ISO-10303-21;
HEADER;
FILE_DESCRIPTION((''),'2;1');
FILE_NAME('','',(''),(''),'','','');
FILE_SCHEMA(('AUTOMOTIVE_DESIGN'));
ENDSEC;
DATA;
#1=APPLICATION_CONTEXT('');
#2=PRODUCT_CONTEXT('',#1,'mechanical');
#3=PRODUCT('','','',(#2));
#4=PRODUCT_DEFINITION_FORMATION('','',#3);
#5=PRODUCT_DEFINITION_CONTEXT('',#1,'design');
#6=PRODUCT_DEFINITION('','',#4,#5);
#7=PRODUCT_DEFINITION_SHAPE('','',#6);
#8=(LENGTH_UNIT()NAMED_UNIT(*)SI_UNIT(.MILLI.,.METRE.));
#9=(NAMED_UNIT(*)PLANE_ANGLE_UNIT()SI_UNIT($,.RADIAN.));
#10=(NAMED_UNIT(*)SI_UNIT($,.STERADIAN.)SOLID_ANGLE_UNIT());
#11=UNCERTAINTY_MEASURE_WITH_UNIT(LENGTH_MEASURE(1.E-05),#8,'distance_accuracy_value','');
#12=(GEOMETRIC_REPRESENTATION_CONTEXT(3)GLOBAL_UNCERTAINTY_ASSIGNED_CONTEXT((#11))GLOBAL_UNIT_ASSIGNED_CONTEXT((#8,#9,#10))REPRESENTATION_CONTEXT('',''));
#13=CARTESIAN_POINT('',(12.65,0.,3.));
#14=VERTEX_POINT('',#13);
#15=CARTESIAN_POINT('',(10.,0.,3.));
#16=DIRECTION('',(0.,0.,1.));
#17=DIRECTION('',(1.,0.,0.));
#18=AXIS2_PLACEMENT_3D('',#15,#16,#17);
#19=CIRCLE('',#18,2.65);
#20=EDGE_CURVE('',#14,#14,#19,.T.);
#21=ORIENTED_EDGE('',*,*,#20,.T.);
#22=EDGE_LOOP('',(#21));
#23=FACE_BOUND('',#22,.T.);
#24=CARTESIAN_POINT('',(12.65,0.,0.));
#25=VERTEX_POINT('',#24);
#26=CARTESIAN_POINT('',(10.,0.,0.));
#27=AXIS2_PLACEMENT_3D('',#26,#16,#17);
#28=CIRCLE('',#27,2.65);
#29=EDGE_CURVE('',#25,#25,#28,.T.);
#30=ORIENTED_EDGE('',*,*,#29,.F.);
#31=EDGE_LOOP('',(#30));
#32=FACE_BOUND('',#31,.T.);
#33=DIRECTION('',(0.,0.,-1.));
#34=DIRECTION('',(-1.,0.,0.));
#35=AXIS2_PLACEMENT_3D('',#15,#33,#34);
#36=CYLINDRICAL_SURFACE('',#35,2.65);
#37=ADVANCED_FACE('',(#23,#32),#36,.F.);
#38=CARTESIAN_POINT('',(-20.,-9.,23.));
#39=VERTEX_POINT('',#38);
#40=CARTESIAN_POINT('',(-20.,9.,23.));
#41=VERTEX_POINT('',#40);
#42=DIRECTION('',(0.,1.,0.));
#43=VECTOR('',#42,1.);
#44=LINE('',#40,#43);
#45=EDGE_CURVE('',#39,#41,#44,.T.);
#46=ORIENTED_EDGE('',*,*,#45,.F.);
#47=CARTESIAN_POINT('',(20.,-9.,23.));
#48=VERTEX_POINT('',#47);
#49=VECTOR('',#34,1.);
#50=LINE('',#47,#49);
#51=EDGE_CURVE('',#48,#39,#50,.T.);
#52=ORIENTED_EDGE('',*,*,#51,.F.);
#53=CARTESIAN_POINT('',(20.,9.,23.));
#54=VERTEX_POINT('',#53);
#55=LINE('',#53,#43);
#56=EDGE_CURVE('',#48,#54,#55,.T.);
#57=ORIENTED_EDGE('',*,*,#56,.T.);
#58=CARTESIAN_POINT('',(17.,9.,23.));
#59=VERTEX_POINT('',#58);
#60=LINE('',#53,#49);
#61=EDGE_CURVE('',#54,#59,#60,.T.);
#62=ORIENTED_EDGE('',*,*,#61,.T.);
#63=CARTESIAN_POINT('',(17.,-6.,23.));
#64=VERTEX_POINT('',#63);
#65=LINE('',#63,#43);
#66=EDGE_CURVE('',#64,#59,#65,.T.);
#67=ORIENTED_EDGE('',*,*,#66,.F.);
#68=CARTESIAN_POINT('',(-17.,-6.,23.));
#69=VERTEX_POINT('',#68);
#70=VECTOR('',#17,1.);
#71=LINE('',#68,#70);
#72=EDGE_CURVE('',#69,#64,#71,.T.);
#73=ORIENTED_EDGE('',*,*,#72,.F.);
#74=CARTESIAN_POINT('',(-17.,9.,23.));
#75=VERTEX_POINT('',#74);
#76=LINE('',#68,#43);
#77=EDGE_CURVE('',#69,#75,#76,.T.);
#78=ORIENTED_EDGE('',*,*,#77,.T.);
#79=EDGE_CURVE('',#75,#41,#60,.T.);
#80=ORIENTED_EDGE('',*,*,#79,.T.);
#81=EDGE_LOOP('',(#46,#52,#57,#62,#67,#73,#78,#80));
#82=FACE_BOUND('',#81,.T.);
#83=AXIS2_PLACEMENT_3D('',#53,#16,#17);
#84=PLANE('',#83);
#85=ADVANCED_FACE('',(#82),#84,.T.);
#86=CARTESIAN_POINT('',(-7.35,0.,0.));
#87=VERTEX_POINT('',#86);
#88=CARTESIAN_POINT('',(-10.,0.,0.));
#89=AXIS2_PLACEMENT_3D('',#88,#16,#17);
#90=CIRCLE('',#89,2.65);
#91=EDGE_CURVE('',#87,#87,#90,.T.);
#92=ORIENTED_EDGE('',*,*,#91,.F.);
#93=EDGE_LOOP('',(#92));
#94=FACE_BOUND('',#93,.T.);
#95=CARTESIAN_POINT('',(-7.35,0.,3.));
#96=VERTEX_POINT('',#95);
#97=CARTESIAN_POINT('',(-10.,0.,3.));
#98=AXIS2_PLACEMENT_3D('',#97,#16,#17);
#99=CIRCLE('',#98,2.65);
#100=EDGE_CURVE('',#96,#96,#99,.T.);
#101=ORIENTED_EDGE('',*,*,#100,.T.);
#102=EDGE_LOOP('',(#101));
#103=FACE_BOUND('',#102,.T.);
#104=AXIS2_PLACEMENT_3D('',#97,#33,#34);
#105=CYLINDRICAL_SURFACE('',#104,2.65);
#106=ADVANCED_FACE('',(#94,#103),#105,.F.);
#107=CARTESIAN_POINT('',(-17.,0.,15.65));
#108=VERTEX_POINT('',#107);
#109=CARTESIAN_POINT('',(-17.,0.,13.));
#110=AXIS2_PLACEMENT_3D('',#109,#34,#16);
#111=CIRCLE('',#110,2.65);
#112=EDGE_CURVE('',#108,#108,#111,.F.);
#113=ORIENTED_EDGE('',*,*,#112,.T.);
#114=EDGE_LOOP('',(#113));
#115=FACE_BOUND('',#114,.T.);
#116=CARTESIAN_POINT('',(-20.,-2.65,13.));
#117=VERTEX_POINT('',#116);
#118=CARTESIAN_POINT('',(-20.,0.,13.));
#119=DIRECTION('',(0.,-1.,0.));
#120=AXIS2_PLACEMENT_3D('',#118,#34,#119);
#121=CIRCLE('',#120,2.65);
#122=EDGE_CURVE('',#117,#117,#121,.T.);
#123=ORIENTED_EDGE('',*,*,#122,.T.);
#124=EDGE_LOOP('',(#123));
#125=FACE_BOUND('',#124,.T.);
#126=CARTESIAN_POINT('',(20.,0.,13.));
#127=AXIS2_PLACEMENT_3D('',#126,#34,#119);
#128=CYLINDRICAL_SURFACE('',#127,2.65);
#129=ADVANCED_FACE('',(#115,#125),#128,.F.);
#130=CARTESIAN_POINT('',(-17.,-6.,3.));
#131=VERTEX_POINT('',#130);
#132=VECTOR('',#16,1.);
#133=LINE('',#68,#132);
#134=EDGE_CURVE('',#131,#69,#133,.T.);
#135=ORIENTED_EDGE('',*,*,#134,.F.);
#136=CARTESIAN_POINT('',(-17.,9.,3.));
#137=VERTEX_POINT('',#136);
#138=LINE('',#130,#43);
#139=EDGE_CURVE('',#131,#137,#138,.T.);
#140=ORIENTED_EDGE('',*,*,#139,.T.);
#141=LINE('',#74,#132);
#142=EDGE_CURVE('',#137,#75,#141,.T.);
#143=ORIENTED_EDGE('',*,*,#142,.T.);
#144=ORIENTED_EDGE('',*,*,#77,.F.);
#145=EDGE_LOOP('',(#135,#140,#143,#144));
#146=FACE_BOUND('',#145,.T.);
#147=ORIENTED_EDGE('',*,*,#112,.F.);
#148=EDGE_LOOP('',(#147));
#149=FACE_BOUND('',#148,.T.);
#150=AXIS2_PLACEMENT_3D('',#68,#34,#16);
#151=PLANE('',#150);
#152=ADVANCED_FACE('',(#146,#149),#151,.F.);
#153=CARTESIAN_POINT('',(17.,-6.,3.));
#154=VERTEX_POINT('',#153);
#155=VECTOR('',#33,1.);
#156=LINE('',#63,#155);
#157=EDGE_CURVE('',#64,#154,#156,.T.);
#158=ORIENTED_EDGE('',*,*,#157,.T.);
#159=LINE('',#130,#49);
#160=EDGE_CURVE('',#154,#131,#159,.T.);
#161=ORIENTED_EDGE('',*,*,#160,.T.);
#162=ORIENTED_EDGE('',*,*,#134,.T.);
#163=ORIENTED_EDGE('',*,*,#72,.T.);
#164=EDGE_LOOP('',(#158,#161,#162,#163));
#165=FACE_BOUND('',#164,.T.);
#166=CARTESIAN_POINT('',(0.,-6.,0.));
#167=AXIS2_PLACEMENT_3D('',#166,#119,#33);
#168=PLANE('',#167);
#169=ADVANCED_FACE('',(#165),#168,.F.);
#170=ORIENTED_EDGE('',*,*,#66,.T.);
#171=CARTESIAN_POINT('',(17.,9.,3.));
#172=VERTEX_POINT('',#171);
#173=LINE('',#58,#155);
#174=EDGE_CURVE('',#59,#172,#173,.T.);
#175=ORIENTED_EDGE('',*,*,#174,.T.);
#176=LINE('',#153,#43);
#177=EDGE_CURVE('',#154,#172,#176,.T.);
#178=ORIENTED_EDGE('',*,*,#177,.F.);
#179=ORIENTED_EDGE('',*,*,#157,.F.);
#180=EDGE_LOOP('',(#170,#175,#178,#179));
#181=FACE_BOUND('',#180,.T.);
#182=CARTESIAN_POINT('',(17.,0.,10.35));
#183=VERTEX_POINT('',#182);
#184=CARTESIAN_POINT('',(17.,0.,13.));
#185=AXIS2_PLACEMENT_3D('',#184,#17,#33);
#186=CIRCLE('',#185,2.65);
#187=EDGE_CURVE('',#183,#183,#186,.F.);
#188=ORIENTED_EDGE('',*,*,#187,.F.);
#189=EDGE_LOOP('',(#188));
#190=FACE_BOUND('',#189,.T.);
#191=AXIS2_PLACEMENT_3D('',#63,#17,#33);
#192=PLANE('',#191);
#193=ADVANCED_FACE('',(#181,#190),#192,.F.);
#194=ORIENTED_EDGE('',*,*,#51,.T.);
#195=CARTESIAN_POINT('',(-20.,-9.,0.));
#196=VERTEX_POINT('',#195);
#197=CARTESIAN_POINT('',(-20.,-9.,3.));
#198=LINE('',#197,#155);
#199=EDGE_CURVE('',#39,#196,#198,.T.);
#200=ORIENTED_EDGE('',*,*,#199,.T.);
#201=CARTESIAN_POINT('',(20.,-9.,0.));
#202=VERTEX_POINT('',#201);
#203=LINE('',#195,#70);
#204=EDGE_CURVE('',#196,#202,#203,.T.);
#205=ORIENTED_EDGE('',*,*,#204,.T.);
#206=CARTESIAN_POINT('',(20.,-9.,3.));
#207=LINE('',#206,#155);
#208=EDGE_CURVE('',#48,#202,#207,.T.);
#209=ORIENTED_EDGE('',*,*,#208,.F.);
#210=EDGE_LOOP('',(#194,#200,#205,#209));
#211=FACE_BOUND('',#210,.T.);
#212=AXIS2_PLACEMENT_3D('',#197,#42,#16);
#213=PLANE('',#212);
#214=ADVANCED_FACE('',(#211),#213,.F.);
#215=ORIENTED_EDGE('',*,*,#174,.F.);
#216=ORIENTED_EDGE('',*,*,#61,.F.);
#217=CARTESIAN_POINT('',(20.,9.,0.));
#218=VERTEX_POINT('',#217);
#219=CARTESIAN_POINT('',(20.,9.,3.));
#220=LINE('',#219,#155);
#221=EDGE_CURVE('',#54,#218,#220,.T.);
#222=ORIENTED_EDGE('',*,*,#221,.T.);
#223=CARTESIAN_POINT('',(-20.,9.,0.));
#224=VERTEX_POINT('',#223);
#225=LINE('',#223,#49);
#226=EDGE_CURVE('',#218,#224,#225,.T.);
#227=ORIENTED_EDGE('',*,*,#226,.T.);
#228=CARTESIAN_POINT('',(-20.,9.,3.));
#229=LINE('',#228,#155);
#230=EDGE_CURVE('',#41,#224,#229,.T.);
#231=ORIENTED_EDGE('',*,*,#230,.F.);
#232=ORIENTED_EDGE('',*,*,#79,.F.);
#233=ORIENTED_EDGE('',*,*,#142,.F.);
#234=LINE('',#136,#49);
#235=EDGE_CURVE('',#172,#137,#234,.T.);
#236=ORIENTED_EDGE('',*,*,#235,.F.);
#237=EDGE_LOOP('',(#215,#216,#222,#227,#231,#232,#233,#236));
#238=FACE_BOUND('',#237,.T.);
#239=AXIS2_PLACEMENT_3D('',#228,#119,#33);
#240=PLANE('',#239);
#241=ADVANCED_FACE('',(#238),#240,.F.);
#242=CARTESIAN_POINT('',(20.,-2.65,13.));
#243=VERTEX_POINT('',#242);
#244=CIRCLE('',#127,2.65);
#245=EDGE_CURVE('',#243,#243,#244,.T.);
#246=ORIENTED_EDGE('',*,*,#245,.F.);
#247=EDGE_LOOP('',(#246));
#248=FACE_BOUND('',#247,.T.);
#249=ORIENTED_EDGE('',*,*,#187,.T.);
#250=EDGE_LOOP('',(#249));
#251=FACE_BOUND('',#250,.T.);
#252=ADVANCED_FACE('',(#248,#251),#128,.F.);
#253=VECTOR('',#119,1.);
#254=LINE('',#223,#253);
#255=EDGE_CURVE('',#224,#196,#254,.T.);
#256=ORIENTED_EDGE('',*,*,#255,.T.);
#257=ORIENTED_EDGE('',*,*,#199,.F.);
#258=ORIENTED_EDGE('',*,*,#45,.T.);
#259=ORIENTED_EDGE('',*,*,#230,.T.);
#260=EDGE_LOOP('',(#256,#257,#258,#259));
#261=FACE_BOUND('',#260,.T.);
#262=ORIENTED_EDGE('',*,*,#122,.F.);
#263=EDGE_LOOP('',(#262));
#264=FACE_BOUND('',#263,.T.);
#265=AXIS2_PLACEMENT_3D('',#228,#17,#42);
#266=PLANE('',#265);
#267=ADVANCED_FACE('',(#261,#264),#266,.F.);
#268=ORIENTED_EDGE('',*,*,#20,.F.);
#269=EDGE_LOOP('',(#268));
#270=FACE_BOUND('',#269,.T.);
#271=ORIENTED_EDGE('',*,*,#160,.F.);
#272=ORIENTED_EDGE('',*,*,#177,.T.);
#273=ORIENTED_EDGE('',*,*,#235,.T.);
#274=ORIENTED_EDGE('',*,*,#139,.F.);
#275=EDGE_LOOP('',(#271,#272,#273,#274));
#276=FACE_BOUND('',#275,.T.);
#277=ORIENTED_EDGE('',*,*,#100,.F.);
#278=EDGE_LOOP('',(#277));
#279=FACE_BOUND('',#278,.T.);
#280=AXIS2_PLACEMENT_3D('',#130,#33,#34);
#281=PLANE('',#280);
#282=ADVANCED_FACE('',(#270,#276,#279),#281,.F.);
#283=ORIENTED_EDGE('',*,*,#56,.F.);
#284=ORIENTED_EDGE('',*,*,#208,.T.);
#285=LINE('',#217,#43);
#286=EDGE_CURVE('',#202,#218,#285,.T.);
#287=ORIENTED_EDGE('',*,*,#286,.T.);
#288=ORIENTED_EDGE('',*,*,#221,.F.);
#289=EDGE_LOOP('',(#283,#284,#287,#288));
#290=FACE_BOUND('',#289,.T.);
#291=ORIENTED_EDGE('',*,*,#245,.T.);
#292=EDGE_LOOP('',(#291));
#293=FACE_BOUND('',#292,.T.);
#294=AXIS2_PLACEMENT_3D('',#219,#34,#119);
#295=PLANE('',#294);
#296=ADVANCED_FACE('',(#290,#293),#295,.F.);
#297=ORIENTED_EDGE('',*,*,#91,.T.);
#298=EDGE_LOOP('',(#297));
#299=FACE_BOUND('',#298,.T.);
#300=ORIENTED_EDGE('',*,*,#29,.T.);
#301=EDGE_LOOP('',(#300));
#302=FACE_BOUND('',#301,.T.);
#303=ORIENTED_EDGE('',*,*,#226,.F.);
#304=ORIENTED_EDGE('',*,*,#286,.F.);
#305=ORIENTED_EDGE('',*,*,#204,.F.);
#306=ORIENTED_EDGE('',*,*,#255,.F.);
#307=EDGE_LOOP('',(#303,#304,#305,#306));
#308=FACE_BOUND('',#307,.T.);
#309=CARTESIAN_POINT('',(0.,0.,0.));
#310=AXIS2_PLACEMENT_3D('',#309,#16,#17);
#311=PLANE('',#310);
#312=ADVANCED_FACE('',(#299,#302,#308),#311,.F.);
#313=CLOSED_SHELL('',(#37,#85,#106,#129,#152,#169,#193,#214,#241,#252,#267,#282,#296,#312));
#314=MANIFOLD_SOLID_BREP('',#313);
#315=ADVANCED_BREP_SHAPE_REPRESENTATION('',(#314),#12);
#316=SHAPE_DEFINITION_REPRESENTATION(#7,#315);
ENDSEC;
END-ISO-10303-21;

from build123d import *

# Parameters (mm, degrees)
SKETCH_1_W          = 40
SKETCH_1_H          = 18
SKETCH_1_R          = 2.65
EXTRUDE_1_DEPTH     = 3
SKETCH_3_W          = 20
SKETCH_3_H          = 18
SKETCH_3_R          = 2.65
EXTRUDE_2_DEPTH     = 40
SKETCH_5_W          = 34
SKETCH_5_H          = 20
CUT_EXTRUDE_2_DEPTH = 15


with BuildPart() as part:
    # 草图1 → 凸台-拉伸1 (new body)
    with BuildSketch(Plane.XY):
        Rectangle(SKETCH_1_W, SKETCH_1_H)
        with Locations((-10, 0)):
            Circle(SKETCH_1_R, mode=Mode.SUBTRACT)
        with Locations((10, 0)):
            Circle(SKETCH_1_R, mode=Mode.SUBTRACT)
    extrude(amount=EXTRUDE_1_DEPTH)

    # 草图3 → 凸台-拉伸2 (add)
    with BuildSketch(Plane.ZY.offset(20)):
        with Locations((13, 0)):
            Rectangle(SKETCH_3_W, SKETCH_3_H)
        with Locations(Location((13, 0, 0), (0, 0, 270))):
            Circle(SKETCH_3_R, mode=Mode.SUBTRACT)
    extrude(amount=-EXTRUDE_2_DEPTH)

    # 草图5 → 切除-拉伸2 (cut)
    with BuildSketch(Plane(origin=(0, 9, 0), x_dir=(1, 0, 0), z_dir=(0, 1, 0))):
        with Locations((0, -13)):
            Rectangle(SKETCH_5_W, SKETCH_5_H)
    extrude(amount=-CUT_EXTRUDE_2_DEPTH, mode=Mode.SUBTRACT)


solid = part.part
